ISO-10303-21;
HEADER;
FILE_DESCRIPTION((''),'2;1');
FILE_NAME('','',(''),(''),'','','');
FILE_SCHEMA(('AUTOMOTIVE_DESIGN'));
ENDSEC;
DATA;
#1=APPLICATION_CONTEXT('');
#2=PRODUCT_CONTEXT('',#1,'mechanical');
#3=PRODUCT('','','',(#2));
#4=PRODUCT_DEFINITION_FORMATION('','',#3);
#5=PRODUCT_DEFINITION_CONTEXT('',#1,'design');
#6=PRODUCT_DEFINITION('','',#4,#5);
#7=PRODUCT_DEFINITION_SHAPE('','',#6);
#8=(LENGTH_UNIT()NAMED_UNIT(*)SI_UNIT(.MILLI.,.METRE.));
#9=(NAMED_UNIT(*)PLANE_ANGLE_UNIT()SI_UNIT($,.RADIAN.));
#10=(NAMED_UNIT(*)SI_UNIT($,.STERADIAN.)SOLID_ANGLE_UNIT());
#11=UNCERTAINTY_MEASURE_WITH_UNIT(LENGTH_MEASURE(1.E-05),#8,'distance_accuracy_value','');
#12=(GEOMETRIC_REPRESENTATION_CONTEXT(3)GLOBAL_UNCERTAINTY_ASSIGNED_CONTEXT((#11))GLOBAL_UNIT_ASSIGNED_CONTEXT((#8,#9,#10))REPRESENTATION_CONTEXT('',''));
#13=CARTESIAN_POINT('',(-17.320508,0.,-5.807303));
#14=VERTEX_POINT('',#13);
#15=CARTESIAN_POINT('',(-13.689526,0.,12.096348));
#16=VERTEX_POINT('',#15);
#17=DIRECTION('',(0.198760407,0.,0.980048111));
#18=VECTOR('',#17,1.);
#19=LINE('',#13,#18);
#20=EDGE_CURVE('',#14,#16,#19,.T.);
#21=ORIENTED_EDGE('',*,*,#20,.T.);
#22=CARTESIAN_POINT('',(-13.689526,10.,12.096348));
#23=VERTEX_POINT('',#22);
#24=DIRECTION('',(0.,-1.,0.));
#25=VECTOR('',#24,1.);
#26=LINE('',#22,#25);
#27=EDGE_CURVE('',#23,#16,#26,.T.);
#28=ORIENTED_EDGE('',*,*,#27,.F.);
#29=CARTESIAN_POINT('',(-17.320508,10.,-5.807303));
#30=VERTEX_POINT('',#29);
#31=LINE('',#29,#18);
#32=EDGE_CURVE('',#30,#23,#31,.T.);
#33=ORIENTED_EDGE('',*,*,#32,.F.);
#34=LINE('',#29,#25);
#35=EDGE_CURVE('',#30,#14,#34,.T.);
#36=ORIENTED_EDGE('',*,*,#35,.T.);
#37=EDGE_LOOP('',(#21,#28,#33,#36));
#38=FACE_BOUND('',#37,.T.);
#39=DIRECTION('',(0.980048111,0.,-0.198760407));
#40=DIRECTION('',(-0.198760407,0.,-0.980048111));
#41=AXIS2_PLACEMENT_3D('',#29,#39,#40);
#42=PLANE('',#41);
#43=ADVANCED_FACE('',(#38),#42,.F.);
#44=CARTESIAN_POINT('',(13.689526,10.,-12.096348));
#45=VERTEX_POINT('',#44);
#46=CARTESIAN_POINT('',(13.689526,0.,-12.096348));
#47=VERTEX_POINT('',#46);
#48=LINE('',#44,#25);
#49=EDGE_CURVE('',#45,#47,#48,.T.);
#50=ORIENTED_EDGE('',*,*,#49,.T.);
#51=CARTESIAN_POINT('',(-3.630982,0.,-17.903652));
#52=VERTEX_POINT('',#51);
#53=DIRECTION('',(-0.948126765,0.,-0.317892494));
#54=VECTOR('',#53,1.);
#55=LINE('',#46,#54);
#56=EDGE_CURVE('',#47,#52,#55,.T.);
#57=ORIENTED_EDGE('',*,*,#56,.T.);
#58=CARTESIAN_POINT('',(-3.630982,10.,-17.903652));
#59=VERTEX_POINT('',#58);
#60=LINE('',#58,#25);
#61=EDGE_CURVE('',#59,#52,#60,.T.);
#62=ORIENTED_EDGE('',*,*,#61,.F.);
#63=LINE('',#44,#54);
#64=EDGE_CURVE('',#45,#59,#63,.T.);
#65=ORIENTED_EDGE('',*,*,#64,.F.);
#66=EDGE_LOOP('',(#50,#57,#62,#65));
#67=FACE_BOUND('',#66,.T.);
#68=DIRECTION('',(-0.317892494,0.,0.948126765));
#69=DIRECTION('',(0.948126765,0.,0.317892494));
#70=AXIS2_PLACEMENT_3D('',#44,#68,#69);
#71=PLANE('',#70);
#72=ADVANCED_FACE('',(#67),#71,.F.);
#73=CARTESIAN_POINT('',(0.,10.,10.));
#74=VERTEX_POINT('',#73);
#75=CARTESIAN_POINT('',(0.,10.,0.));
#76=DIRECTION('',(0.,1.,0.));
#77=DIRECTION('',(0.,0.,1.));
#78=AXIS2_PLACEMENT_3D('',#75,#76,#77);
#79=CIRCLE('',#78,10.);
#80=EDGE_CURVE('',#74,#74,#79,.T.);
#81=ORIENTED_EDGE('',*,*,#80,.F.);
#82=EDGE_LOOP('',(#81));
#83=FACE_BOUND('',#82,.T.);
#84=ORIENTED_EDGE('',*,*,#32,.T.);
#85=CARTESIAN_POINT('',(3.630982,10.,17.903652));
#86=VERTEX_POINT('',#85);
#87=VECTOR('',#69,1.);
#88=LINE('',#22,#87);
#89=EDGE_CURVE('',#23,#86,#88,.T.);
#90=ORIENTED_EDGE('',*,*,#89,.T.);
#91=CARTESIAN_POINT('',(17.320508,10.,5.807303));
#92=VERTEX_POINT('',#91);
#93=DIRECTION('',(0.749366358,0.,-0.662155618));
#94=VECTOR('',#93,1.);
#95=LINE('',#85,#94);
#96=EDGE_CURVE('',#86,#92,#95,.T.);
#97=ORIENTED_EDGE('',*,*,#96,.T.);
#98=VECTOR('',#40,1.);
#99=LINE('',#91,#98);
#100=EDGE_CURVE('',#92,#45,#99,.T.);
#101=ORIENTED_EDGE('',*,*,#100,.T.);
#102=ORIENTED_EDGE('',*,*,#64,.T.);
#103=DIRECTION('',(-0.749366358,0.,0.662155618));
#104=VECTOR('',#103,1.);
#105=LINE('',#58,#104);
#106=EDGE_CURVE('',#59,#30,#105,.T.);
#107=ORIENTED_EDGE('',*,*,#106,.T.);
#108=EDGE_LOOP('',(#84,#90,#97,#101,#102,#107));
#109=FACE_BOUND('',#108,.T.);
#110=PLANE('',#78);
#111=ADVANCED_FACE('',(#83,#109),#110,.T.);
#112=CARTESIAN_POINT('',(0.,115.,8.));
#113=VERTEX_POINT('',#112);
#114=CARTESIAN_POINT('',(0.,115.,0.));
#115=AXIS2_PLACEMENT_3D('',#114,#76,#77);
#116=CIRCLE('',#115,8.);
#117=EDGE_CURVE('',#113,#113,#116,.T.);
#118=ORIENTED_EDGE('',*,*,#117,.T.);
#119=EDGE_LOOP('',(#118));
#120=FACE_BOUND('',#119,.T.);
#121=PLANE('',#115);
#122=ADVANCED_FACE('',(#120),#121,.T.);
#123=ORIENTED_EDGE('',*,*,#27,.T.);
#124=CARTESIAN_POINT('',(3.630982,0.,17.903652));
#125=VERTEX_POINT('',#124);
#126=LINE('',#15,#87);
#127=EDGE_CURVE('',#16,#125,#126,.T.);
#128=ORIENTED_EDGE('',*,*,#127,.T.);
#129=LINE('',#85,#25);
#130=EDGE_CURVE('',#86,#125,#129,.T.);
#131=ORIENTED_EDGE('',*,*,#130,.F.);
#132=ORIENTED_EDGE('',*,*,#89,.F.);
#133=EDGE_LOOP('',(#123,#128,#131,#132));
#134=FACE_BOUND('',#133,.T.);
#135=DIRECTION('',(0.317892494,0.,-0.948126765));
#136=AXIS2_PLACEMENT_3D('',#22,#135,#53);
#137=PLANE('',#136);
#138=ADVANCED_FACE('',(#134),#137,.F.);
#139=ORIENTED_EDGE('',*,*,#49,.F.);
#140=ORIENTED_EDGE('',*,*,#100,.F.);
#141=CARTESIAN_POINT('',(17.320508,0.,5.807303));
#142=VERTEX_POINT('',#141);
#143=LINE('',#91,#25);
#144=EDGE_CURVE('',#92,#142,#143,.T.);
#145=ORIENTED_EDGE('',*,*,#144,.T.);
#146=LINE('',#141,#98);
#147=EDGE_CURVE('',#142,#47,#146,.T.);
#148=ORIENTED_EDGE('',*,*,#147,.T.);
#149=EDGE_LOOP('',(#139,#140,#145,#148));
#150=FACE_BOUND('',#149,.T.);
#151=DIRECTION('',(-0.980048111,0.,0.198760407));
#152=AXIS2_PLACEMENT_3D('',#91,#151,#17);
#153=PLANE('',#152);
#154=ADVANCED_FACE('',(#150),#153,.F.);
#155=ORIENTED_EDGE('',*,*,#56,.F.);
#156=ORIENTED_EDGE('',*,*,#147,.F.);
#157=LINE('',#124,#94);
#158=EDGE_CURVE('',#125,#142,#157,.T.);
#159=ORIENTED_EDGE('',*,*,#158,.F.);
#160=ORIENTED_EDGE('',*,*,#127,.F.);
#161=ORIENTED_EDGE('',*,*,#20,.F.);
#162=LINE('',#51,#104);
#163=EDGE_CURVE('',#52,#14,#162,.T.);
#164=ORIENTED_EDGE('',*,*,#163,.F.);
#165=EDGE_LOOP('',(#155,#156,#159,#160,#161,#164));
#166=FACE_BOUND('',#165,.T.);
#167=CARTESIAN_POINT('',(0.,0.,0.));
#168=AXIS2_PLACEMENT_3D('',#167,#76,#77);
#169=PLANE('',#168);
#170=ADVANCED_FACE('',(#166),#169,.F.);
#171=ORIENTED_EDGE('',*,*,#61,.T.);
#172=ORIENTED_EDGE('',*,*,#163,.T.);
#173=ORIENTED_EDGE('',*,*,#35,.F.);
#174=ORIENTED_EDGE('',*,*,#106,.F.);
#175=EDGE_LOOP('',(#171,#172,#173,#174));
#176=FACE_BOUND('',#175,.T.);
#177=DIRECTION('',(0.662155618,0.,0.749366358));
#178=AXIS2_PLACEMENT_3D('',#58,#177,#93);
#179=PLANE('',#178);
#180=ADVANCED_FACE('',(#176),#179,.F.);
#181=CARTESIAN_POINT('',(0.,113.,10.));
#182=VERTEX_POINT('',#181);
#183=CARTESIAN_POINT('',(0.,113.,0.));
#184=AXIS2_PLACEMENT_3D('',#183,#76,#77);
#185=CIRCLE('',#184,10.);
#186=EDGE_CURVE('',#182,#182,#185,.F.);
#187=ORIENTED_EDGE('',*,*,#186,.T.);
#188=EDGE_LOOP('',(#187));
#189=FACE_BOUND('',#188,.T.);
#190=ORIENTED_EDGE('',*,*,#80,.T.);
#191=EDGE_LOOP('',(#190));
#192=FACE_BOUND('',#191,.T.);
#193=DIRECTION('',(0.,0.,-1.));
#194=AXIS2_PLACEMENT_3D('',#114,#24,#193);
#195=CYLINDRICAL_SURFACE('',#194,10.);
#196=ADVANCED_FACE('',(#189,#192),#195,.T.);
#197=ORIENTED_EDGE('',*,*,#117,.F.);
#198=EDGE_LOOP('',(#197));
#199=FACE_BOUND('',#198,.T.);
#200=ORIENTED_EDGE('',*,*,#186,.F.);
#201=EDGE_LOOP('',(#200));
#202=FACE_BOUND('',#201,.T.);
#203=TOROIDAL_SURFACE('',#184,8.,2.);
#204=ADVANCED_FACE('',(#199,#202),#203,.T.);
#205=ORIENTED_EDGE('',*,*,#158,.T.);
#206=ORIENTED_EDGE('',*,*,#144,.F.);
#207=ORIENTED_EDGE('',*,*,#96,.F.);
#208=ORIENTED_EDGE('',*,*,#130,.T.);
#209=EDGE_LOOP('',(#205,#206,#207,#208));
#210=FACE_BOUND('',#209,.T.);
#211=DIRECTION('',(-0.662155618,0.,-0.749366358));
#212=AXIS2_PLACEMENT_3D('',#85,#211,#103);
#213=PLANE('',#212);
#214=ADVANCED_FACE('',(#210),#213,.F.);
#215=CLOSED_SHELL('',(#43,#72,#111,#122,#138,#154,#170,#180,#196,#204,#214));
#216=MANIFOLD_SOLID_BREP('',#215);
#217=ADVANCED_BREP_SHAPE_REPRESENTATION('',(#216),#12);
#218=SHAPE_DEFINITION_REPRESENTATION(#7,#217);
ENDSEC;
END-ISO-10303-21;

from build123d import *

# Parameters (mm, degrees)
BOSS_EXTRU_1_DEPTH = 10
ESQUISSE2_R        = 10
BOSS_EXTRU_2_DEPTH = 105
CONG_1_R           = 2


with BuildPart() as part:
    # Esquisse1 → Boss.-Extru.1 (new body)
    with BuildSketch(Plane(origin=(0, 0, 0), x_dir=(1, 0, 0), z_dir=(0, 1, 0))):
        Polygon((-13.68952605, -12.09634845), (3.630982025, -17.90365155), (17.320508076, -5.807303101), (13.68952605, 12.09634845), (-3.630982025, 17.90365155), (-17.320508076, 5.807303101), align=None)
    extrude(amount=BOSS_EXTRU_1_DEPTH)

    # Esquisse2 → Boss.-Extru.2 (add)
    with BuildSketch(Plane(origin=(0, 10, 0), x_dir=(1, 0, 0), z_dir=(0, 1, 0))):
        Circle(ESQUISSE2_R)
    extrude(amount=BOSS_EXTRU_2_DEPTH)

    # Congé1
    cong_1_edges = [part.edges().sort_by_distance(p)[0] for p in [
        (-10, 115, 0),
    ]]
    fillet(cong_1_edges, radius=CONG_1_R)


solid = part.part
